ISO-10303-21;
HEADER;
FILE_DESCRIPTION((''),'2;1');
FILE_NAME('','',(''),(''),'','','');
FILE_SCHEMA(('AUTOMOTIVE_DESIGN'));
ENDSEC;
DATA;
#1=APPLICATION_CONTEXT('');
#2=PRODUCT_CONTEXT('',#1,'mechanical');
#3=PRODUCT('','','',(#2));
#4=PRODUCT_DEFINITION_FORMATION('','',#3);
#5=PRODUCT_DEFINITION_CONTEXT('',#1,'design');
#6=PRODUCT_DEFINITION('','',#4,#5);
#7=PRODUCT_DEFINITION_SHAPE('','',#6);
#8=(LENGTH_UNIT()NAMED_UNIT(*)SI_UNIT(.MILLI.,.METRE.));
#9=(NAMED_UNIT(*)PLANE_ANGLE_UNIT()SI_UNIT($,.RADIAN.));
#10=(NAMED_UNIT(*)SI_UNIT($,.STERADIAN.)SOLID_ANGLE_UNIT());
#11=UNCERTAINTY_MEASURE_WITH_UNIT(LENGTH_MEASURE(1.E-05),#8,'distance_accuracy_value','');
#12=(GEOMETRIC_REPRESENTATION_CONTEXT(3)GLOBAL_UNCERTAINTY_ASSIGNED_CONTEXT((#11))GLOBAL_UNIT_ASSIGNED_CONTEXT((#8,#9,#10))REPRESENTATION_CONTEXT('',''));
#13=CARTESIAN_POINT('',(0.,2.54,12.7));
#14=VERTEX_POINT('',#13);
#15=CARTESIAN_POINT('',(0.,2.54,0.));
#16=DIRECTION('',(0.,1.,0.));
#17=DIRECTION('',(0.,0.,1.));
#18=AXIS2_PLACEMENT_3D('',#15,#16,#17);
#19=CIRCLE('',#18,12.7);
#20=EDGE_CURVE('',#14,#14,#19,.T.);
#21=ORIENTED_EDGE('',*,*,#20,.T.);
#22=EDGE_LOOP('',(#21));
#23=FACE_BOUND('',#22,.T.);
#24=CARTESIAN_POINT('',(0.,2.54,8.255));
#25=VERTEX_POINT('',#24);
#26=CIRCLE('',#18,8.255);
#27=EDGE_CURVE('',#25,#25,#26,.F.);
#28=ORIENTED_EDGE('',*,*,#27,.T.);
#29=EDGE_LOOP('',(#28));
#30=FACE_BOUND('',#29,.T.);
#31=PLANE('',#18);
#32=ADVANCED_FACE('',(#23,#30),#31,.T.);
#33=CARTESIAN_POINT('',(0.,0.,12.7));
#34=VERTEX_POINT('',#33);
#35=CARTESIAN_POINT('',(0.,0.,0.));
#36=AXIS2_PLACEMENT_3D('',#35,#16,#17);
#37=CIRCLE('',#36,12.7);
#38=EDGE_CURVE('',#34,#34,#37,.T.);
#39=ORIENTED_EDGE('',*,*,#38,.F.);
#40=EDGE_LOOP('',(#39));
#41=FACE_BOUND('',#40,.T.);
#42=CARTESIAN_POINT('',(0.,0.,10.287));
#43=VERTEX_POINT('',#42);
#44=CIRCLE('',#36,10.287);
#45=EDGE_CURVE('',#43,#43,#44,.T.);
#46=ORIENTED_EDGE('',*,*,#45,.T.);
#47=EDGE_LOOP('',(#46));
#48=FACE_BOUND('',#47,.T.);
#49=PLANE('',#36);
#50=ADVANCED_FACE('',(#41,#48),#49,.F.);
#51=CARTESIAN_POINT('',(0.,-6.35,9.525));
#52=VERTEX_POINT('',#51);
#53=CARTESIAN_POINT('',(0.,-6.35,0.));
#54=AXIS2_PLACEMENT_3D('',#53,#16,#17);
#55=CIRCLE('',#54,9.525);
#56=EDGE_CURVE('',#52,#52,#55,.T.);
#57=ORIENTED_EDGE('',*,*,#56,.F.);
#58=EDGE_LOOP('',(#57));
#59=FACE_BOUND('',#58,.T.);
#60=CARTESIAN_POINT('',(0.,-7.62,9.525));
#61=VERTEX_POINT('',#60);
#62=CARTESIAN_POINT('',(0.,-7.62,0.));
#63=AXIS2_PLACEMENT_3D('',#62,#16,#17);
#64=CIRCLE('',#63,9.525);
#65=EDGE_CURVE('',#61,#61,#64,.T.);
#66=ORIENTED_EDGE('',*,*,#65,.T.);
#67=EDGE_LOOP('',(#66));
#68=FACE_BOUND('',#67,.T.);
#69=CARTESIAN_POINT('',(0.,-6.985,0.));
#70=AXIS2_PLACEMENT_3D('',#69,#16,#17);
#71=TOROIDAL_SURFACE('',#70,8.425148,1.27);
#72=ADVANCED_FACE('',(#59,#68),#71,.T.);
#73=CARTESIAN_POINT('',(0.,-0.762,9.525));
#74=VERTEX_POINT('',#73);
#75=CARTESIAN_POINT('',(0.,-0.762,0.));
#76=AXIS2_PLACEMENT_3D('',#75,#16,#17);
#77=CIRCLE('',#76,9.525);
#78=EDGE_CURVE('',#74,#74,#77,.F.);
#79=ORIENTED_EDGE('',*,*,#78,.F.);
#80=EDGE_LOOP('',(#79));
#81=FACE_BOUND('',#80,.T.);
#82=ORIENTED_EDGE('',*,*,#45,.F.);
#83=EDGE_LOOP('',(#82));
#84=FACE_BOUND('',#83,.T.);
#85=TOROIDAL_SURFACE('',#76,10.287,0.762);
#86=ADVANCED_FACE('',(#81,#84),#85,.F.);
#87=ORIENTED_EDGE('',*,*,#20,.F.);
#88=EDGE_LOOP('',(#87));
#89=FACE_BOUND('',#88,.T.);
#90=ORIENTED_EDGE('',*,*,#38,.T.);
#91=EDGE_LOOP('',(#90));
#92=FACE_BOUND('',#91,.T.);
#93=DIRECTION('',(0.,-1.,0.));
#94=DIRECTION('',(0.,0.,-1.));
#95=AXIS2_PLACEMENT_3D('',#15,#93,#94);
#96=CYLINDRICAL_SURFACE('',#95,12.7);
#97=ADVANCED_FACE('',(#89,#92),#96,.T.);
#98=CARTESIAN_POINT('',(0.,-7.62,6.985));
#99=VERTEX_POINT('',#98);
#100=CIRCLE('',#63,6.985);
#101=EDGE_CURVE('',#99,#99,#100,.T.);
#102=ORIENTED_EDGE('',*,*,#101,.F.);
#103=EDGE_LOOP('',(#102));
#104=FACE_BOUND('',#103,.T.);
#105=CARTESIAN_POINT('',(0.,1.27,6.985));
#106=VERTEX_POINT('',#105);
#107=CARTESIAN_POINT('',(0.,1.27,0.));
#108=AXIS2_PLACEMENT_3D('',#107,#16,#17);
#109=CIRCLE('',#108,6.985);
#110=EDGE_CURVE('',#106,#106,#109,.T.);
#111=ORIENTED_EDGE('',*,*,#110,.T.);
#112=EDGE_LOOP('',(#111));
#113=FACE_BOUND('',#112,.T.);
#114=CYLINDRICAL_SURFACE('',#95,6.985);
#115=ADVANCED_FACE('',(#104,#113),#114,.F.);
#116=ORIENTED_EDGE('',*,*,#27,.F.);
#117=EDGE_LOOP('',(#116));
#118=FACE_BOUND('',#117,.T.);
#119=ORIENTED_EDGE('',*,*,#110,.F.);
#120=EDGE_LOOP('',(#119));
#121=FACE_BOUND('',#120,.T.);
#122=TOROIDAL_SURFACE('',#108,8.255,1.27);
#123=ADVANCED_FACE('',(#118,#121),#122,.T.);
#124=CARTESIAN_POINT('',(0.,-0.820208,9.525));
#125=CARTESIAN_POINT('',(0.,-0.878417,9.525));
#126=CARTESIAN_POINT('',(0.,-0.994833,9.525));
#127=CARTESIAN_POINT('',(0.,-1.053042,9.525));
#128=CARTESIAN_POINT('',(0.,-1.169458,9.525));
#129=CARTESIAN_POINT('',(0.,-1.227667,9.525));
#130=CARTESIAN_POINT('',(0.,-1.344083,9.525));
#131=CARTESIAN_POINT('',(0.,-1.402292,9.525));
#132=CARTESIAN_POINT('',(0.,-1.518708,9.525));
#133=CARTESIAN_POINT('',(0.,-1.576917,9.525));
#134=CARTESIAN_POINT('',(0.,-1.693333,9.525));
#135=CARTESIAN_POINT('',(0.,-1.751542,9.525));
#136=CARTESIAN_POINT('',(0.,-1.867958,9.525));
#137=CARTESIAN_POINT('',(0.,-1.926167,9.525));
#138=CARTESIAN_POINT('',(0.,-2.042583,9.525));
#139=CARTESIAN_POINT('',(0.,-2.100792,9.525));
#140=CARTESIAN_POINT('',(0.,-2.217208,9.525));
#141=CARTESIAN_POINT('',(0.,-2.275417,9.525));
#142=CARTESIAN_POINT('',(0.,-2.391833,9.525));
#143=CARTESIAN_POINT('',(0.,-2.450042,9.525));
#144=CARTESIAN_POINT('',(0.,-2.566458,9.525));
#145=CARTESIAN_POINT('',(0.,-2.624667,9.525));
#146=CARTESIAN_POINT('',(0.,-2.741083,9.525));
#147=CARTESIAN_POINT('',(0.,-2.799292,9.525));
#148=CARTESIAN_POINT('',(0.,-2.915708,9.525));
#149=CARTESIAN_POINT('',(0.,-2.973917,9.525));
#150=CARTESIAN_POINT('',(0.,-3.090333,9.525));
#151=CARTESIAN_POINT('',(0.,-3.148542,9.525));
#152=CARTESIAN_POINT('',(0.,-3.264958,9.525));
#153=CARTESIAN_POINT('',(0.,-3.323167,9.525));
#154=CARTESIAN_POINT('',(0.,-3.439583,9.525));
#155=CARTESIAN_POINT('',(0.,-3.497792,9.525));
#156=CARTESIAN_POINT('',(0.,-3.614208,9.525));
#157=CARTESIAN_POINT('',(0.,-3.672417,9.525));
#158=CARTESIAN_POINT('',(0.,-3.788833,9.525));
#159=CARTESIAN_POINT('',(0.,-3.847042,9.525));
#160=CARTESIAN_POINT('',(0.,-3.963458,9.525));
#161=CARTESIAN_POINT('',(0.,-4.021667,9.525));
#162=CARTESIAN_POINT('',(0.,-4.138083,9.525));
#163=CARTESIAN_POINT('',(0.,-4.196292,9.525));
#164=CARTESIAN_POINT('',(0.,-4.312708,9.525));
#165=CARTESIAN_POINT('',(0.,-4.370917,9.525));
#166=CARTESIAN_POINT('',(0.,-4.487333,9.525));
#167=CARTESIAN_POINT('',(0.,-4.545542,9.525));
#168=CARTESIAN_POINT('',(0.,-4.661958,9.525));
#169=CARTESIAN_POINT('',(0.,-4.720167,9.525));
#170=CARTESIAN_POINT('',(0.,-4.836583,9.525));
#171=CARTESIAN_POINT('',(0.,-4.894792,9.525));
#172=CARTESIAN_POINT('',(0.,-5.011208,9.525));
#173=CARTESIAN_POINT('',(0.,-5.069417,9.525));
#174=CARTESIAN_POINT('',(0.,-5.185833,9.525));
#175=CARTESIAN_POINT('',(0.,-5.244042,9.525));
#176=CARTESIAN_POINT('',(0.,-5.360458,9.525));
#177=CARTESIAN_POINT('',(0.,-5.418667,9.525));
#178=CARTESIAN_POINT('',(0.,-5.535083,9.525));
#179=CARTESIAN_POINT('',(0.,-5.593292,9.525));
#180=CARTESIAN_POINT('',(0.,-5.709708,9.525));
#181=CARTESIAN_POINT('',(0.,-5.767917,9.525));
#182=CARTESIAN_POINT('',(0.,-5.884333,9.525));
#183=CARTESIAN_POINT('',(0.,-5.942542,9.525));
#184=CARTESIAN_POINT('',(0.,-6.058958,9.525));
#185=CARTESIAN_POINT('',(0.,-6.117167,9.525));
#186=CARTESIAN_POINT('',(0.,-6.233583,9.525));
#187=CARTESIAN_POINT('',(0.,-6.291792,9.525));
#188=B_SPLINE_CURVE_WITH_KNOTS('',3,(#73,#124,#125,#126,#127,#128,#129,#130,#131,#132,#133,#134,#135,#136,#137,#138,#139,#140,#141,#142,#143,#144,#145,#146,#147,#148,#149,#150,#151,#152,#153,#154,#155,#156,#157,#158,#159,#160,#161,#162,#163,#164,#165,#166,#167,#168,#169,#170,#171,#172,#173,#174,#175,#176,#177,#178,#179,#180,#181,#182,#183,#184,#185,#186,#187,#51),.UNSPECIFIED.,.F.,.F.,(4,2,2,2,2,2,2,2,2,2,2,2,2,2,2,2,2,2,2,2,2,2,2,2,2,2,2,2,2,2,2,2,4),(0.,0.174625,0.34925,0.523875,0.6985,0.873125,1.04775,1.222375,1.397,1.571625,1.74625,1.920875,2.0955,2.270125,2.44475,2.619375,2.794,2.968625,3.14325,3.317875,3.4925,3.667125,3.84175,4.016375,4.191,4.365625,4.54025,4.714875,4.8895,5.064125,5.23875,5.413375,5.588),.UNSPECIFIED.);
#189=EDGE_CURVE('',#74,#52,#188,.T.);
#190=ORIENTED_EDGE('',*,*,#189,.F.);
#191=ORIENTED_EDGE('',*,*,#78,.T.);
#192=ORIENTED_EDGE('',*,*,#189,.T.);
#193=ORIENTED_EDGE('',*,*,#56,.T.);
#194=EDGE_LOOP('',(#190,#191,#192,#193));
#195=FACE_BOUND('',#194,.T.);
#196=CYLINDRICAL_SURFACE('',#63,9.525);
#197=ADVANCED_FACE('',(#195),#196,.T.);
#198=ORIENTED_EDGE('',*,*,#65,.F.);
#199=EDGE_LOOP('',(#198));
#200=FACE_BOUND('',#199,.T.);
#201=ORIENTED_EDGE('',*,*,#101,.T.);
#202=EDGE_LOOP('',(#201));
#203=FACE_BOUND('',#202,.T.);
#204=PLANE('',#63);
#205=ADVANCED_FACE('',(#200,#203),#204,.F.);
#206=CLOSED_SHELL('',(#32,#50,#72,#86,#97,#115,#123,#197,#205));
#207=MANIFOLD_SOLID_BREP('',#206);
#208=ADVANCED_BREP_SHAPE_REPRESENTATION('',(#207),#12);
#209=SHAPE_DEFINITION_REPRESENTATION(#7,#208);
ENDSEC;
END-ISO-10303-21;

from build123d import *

# Parameters (mm, degrees)
SKETCH1_R           = 12.7
SKETCH1_R_2         = 6.985
BOSS_EXTRUDE1_DEPTH = 2.54
BOSS_EXTRUDE2_START = -7.62
SKETCH1_3_R         = 9.525
SKETCH1_3_R_2       = 6.985
BOSS_EXTRUDE2_DEPTH = 7.62
FILLET1_R           = 1.27
FILLET2_R           = 0.762


with BuildPart() as part:
    # Sketch1 → Boss-Extrude1 (new body)
    with BuildSketch(Plane(origin=(0, 0, 0), x_dir=(1, 0, 0), z_dir=(0, 1, 0))):
        Circle(SKETCH1_R)
        Circle(SKETCH1_R_2, mode=Mode.SUBTRACT)
    extrude(amount=BOSS_EXTRUDE1_DEPTH)

    # Sketch1<3> → Boss-Extrude2 (add)
    with BuildSketch(Plane(origin=(0, 0, 0), x_dir=(1, 0, 0), z_dir=(0, 1, 0)).offset(BOSS_EXTRUDE2_START)):
        Circle(SKETCH1_3_R)
        Circle(SKETCH1_3_R_2, mode=Mode.SUBTRACT)
    extrude(amount=BOSS_EXTRUDE2_DEPTH)

    # Fillet1
    fillet1_edges = [part.edges().sort_by_distance(p)[0] for p in [
        (-6.985, 2.54, 0),
    ]]
    fillet(fillet1_edges, radius=FILLET1_R)

    # Fillet2
    fillet2_edges = [part.edges().sort_by_distance(p)[0] for p in [
        (-9.525, 0, 0),
    ]]
    fillet(fillet2_edges, radius=FILLET2_R)

    # Sketch2 → Revolve1 (revolve)
    with BuildSketch(Plane(origin=(0, 0, 0), x_dir=(0, 0, -1), z_dir=(1, 0, 0))):
        with BuildLine():
            Line((9.525, -6.35), (9.525, -7.62))
            ThreePointArc((9.525, -7.62), (9.695147737, -6.985), (9.525, -6.35))
        make_face()
    revolve(axis=Axis((0, 3.048, 0), (0, -1, 0)))


solid = part.part
